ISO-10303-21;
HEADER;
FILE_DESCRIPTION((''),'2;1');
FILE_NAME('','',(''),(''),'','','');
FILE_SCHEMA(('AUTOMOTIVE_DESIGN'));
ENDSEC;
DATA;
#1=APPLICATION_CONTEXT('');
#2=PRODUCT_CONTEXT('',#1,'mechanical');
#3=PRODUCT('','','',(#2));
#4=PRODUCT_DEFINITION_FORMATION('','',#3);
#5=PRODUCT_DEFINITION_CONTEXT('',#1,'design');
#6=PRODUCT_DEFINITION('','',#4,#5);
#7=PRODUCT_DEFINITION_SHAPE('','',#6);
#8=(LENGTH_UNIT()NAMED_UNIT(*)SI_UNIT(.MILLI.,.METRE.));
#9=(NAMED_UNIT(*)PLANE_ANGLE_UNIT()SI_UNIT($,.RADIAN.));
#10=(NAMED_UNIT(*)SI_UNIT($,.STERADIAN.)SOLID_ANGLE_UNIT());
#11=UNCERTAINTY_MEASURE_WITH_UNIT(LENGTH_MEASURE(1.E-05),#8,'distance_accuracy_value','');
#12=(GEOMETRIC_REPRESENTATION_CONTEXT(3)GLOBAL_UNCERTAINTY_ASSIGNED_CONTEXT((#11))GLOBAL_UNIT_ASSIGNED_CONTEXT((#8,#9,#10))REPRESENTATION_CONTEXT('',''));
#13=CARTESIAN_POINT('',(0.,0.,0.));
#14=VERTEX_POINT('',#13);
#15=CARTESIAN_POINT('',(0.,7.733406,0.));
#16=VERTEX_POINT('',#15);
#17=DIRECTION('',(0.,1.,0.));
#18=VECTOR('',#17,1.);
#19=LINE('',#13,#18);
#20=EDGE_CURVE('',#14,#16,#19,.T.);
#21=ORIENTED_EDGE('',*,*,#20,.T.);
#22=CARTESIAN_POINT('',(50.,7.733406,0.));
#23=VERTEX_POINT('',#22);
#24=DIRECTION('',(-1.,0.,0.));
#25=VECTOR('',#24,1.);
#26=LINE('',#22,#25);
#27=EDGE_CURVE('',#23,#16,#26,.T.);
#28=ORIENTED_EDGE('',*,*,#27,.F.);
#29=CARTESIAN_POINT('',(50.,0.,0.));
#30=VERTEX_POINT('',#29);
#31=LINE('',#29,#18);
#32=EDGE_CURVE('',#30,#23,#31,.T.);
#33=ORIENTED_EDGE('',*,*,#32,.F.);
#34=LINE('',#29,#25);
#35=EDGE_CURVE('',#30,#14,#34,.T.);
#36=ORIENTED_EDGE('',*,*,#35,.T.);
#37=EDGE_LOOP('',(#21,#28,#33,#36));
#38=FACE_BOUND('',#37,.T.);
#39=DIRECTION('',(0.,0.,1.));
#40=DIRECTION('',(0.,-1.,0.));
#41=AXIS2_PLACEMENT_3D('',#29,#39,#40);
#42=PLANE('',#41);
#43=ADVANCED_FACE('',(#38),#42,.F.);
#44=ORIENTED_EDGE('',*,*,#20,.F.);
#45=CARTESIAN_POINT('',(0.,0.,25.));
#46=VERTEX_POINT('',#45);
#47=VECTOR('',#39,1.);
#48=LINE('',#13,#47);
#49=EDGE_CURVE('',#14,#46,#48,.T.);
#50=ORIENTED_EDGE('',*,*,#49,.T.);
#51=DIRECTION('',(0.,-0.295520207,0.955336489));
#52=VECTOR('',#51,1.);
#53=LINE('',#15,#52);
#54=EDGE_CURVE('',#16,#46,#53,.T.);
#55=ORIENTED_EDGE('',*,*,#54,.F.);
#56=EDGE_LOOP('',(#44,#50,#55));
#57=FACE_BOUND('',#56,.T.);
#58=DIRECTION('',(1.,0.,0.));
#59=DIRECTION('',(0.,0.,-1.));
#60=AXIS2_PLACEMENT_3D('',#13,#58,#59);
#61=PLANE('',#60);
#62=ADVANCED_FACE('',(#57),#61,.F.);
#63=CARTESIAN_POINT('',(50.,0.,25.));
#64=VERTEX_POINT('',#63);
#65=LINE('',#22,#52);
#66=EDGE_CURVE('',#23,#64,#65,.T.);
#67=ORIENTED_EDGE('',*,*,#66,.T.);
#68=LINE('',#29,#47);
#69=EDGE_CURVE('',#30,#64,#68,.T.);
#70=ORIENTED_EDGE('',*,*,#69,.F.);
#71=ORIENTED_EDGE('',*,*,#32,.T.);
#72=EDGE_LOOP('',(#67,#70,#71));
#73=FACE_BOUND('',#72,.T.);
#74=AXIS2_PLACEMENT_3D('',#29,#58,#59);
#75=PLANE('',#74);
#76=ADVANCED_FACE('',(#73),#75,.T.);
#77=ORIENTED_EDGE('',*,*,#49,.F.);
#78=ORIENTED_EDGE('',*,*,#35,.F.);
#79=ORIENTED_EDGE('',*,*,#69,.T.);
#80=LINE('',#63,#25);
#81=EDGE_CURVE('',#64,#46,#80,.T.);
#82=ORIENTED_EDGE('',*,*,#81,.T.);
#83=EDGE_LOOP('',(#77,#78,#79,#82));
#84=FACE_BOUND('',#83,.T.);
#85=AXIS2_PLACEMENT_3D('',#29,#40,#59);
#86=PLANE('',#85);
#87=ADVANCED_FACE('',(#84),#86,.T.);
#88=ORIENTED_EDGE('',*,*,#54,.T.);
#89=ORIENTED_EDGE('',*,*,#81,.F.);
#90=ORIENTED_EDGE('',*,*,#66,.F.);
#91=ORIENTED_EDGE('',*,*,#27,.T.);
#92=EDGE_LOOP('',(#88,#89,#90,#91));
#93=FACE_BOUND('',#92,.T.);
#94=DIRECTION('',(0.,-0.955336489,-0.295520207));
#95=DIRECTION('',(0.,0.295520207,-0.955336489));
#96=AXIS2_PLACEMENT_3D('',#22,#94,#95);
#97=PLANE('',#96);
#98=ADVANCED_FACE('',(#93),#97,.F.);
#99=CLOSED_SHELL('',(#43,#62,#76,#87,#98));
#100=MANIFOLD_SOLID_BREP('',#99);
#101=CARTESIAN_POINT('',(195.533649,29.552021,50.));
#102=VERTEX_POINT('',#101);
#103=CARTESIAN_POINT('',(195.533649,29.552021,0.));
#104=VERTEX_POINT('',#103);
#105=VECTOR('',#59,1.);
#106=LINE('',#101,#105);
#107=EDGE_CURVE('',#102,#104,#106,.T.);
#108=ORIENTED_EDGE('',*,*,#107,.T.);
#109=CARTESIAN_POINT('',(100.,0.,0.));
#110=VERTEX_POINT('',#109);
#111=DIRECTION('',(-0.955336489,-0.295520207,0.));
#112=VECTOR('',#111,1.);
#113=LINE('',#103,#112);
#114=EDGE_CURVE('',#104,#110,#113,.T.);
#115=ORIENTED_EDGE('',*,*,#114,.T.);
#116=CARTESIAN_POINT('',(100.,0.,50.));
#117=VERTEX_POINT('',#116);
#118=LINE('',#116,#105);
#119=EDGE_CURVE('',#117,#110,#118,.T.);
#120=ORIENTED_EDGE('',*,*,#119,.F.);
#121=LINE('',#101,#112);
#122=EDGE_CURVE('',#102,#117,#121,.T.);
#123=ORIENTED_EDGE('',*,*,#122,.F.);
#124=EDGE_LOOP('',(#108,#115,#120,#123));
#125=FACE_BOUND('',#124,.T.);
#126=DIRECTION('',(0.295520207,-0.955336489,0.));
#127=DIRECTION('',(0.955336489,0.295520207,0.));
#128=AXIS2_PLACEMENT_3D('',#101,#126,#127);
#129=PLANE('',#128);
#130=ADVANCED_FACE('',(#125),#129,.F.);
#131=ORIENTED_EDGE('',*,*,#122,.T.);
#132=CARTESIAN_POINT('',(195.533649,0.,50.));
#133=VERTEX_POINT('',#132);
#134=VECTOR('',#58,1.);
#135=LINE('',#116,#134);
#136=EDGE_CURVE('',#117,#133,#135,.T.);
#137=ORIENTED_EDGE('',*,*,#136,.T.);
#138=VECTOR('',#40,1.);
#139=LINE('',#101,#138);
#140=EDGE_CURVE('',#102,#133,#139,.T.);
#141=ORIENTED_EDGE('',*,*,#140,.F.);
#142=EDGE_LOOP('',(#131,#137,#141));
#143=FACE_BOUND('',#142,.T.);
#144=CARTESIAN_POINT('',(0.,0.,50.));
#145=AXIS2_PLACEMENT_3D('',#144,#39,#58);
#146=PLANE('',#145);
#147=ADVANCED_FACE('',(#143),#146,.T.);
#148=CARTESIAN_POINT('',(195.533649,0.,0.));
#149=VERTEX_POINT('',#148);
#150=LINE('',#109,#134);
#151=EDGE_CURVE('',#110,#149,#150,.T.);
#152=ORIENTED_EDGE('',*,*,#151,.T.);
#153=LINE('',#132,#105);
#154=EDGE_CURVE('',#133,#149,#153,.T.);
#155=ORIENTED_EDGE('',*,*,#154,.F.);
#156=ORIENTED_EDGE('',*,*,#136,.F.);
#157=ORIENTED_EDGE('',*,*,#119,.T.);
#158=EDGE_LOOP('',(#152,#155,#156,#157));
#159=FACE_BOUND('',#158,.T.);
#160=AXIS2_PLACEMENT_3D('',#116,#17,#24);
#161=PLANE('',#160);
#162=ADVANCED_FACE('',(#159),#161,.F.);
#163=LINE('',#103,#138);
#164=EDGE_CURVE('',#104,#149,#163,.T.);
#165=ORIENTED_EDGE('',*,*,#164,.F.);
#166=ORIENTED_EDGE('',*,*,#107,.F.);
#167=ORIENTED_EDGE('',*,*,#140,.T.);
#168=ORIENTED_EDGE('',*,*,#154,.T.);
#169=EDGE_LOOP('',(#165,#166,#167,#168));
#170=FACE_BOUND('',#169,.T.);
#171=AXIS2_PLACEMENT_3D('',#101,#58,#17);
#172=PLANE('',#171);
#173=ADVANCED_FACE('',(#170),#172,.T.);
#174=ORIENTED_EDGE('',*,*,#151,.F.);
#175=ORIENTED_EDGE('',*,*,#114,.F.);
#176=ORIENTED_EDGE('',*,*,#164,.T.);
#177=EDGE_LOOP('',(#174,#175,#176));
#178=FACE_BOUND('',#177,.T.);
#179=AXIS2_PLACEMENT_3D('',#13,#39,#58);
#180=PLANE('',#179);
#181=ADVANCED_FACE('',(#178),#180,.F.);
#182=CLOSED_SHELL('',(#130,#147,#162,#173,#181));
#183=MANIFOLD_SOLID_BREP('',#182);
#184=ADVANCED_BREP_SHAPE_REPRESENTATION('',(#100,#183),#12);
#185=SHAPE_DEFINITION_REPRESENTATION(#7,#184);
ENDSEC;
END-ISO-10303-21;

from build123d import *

# Parameters (mm, degrees)
EXTRUDE_1_DEPTH = 50
EXTRUDE_2_DEPTH = 50


with BuildPart() as part:
    # 草图2 → 凸台-拉伸1 (new body)
    with BuildSketch(Plane.XY):
        Polygon((195.533648913, 29.552020666), (100, 0), (195.533648913, 0), align=None)
    extrude(amount=EXTRUDE_1_DEPTH)


with BuildPart() as body_2:
    # 草图3 → 凸台-拉伸2 (new body)
    with BuildSketch(Plane(origin=(0, 0, 0), x_dir=(0, 0, -1), z_dir=(1, 0, 0))):
        Polygon((0, 0), (0, 7.73340624), (-25, 0), align=None)
    extrude(amount=EXTRUDE_2_DEPTH)


solid = Compound([part.part, body_2.part])
